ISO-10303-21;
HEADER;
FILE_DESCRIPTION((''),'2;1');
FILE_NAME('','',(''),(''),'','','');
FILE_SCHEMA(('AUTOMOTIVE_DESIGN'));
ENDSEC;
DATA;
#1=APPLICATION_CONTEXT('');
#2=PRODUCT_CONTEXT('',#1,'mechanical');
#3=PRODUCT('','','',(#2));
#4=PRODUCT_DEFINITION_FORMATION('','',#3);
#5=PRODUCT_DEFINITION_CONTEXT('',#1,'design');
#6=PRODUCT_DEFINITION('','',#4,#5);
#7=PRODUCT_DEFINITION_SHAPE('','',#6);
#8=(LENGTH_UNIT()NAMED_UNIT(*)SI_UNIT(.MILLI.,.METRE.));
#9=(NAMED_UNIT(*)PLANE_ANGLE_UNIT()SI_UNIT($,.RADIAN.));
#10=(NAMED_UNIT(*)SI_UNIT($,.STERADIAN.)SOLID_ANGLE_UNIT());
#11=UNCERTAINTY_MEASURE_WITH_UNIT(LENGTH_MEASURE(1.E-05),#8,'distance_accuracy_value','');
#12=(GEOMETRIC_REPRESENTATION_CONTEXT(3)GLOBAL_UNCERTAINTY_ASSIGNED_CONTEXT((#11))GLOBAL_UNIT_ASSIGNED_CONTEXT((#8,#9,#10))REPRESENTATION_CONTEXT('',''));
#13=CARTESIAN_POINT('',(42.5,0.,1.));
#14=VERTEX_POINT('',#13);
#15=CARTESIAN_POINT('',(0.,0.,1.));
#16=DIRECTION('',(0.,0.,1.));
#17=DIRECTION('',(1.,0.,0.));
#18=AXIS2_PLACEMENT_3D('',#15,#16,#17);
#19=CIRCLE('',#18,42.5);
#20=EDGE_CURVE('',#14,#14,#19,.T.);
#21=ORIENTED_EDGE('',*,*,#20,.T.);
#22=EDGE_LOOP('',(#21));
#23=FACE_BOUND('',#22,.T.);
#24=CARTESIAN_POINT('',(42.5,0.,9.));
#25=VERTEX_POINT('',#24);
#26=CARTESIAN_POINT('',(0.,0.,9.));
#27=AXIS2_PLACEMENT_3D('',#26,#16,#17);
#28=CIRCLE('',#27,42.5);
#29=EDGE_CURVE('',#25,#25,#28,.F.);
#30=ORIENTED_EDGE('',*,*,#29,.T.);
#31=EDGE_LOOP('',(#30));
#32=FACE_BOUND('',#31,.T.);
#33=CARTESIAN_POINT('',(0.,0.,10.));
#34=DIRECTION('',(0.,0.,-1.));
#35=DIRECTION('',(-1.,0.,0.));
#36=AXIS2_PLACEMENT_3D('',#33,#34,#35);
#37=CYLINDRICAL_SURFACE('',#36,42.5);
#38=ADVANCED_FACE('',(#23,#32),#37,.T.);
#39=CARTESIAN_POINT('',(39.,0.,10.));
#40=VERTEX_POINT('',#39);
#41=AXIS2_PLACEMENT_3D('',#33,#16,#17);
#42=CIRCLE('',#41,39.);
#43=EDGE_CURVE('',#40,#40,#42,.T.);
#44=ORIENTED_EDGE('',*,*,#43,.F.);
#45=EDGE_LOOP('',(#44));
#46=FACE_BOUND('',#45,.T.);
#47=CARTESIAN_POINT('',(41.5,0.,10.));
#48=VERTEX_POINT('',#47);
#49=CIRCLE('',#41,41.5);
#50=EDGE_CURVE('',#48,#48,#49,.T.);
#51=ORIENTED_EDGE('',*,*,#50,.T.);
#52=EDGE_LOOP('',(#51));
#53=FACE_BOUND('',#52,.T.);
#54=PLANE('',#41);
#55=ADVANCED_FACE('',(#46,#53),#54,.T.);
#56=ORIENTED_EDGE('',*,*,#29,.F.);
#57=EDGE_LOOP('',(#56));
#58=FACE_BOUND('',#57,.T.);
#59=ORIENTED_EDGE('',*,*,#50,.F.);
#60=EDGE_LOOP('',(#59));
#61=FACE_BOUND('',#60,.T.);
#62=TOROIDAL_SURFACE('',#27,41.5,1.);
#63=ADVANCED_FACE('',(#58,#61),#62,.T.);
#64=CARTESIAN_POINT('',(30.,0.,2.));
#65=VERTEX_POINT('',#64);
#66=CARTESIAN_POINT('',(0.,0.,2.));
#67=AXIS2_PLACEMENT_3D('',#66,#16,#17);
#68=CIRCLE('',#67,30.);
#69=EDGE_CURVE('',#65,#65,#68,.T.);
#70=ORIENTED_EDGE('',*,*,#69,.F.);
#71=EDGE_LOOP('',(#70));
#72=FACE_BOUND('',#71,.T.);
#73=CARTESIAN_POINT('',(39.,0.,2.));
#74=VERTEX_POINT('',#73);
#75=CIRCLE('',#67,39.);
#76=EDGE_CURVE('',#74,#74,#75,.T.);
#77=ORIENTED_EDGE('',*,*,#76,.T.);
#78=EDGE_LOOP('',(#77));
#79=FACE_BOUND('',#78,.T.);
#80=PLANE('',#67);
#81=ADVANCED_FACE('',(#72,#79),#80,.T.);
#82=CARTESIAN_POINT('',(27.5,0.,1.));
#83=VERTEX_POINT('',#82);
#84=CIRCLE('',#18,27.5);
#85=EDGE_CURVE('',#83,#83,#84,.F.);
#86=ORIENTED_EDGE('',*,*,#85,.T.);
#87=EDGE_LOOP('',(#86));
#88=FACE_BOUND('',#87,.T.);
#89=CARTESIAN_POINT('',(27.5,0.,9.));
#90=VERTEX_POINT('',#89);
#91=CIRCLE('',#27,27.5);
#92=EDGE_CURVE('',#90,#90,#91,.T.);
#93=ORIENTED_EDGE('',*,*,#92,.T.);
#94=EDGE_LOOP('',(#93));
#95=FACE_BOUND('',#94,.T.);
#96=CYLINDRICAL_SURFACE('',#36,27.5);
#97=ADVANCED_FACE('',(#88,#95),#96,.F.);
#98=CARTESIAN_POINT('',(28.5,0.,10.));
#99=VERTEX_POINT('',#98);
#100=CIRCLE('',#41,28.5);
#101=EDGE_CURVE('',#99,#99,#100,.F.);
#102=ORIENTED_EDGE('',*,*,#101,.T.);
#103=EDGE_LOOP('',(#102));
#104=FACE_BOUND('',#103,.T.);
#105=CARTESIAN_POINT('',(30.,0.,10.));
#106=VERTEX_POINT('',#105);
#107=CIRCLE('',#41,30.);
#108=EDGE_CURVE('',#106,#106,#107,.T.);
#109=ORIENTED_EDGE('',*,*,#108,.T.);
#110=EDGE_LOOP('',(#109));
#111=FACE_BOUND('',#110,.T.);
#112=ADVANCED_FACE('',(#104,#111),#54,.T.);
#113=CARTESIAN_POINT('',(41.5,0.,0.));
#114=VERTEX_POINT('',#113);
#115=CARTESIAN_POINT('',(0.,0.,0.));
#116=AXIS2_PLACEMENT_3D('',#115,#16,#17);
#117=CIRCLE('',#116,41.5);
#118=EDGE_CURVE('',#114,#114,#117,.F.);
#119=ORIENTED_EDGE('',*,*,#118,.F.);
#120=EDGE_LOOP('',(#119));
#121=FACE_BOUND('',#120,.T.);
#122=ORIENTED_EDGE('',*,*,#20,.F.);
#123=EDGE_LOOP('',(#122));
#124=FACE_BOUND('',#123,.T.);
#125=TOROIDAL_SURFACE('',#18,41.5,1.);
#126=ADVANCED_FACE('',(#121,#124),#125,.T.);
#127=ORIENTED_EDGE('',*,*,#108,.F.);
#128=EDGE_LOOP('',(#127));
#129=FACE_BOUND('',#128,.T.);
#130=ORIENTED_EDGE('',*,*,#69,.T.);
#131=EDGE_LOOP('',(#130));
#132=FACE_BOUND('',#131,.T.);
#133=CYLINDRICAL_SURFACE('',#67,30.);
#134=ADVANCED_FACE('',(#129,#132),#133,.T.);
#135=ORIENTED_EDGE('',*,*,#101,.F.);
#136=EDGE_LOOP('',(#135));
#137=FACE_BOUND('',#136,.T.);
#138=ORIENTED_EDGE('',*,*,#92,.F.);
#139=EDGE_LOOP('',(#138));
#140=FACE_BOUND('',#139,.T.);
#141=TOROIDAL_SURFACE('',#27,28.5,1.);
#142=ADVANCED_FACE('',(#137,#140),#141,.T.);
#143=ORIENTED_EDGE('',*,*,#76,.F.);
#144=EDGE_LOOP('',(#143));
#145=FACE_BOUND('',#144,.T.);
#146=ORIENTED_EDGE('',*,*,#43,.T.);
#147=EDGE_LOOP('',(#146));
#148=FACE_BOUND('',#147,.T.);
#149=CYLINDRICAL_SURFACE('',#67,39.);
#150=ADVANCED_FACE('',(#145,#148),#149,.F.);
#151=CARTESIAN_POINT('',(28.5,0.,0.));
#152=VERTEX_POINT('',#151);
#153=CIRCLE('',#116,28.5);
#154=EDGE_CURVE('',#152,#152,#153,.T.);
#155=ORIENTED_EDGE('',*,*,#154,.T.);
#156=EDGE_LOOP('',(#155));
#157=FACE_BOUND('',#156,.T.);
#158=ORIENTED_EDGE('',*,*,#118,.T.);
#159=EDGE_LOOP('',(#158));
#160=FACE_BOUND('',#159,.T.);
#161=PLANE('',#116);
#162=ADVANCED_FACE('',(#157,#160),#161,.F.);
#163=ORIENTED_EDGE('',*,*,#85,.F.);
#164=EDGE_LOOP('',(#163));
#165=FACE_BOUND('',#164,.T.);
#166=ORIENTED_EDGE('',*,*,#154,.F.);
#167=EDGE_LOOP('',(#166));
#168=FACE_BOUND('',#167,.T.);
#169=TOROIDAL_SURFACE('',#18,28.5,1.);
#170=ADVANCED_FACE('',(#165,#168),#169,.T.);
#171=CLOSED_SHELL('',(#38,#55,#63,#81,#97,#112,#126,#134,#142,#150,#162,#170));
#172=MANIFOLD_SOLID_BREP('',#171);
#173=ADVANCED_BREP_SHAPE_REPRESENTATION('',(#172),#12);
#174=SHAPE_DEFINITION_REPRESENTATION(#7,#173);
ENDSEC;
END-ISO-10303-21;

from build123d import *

# Parameters (mm, degrees)
SKETCH1_R           = 42.5
SKETCH1_R_2         = 27.5
BOSS_EXTRUDE1_DEPTH = 10
SKETCH2_R           = 39
SKETCH2_R_2         = 30
CUT_EXTRUDE1_DEPTH  = 8
FILLET1_R           = 1


with BuildPart() as part:
    # Sketch1 → Boss-Extrude1 (new body)
    with BuildSketch(Plane.XY):
        Circle(SKETCH1_R)
        Circle(SKETCH1_R_2, mode=Mode.SUBTRACT)
    extrude(amount=BOSS_EXTRUDE1_DEPTH)

    # Sketch2 → Cut-Extrude1 (cut)
    with BuildSketch(Plane.XY.offset(10)):
        Circle(SKETCH2_R)
        Circle(SKETCH2_R_2, mode=Mode.SUBTRACT)
    extrude(amount=-CUT_EXTRUDE1_DEPTH, mode=Mode.SUBTRACT)

    # Fillet1
    fillet1_edges = [part.edges().sort_by_distance(p)[0] for p in [
        (-42.5, 0, 0),
        (-42.5, 0, 10),
        (-27.5, 0, 0),
        (-27.5, 0, 10),
    ]]
    fillet(fillet1_edges, radius=FILLET1_R)


solid = part.part
